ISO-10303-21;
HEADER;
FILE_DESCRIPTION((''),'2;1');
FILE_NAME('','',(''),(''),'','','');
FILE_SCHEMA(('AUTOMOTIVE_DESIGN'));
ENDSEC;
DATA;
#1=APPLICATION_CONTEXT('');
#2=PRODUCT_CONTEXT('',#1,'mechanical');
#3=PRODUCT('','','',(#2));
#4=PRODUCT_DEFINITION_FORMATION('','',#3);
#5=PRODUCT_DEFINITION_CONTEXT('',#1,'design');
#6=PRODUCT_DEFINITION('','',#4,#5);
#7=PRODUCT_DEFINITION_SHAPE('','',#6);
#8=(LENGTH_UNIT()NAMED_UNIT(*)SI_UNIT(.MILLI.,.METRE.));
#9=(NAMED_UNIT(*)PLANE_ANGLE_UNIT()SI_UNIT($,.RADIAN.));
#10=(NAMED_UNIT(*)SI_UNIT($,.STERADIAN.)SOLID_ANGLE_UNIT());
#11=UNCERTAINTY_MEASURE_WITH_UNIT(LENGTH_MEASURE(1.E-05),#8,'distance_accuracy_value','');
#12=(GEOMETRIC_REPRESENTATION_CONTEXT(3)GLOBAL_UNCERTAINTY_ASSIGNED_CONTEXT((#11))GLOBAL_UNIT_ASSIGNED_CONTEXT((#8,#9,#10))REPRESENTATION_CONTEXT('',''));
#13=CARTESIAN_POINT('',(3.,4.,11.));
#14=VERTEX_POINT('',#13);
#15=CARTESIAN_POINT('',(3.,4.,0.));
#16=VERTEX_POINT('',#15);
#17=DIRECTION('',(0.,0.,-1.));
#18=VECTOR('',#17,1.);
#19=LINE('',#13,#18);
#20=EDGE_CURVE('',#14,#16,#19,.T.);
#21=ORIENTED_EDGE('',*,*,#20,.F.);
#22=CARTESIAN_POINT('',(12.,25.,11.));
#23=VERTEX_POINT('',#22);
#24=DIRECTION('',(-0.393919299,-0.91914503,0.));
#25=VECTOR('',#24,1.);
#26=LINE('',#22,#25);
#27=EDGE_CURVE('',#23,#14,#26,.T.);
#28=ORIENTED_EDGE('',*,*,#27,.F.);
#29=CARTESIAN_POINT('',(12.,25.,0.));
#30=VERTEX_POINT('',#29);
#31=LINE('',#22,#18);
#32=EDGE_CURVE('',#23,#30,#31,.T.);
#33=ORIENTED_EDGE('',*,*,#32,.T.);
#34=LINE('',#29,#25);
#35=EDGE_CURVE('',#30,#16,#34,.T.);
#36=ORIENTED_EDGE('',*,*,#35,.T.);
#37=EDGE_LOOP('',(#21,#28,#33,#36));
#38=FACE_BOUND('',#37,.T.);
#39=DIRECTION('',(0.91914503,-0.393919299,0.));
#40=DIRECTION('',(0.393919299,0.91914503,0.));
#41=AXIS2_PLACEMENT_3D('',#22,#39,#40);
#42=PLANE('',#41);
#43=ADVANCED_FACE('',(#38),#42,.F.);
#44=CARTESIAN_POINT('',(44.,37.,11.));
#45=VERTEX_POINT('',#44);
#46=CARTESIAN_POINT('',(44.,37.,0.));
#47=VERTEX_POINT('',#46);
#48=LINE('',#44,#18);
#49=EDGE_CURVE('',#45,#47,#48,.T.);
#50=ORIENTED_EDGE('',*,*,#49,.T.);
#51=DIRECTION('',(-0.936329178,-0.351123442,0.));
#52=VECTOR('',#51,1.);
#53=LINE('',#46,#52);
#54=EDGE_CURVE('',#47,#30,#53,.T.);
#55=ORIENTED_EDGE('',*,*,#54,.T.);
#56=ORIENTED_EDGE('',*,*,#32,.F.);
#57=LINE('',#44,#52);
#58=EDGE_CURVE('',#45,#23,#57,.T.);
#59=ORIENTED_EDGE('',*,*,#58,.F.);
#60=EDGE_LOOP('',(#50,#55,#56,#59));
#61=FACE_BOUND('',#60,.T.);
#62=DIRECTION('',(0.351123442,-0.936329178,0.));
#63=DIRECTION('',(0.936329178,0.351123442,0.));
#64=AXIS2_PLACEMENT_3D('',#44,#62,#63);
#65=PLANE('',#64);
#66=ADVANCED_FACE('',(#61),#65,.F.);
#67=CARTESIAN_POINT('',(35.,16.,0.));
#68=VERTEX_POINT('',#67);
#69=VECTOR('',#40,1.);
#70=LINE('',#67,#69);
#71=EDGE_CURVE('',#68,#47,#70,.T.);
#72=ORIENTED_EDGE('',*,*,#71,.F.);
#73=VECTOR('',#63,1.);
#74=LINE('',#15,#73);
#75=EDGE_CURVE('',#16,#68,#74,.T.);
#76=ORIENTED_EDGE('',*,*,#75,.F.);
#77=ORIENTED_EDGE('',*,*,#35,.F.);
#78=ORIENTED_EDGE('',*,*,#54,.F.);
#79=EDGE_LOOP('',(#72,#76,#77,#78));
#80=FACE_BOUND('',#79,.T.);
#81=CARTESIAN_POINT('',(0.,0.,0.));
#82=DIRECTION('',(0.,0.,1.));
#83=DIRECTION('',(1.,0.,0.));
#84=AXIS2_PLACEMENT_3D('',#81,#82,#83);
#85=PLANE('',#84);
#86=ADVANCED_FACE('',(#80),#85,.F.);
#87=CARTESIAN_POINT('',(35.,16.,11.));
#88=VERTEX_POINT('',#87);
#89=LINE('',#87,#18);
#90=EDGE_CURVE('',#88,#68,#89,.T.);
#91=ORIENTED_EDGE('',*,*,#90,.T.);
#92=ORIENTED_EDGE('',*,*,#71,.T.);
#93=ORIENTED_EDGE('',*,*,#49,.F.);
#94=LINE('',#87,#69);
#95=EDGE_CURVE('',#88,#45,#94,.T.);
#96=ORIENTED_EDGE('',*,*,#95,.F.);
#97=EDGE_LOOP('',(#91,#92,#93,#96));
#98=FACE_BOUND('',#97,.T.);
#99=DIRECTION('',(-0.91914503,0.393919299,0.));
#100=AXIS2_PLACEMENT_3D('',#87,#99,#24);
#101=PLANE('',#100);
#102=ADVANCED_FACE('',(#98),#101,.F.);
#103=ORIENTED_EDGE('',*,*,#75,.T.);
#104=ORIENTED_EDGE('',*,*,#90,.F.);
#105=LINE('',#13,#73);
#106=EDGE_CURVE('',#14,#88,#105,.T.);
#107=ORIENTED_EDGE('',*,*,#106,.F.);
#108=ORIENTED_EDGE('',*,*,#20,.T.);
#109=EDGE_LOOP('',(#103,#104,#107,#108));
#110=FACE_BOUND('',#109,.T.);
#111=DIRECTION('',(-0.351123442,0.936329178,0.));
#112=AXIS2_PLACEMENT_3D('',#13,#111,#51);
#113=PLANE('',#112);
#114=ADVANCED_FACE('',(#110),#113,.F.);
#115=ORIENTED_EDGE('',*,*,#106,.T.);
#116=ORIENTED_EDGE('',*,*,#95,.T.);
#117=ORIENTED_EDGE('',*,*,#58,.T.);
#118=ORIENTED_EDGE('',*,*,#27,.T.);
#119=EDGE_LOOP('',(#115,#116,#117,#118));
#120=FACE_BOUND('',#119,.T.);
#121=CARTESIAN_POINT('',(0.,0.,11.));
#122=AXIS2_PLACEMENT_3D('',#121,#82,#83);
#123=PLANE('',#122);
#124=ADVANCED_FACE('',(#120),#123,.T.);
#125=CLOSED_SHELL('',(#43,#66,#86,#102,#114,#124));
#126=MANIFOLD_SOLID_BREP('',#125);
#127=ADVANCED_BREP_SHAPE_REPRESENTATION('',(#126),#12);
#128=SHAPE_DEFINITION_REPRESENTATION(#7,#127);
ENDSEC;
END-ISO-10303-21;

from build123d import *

# Parameters (mm, degrees)
BOSS_EXTRUDE1_DEPTH = 11


with BuildPart() as part:
    # Sketch1 → Boss-Extrude1 (new body)
    with BuildSketch(Plane.XY):
        Polygon((3, 4), (35, 16), (44, 37), (12, 25), align=None)
    extrude(amount=BOSS_EXTRUDE1_DEPTH)


solid = part.part
